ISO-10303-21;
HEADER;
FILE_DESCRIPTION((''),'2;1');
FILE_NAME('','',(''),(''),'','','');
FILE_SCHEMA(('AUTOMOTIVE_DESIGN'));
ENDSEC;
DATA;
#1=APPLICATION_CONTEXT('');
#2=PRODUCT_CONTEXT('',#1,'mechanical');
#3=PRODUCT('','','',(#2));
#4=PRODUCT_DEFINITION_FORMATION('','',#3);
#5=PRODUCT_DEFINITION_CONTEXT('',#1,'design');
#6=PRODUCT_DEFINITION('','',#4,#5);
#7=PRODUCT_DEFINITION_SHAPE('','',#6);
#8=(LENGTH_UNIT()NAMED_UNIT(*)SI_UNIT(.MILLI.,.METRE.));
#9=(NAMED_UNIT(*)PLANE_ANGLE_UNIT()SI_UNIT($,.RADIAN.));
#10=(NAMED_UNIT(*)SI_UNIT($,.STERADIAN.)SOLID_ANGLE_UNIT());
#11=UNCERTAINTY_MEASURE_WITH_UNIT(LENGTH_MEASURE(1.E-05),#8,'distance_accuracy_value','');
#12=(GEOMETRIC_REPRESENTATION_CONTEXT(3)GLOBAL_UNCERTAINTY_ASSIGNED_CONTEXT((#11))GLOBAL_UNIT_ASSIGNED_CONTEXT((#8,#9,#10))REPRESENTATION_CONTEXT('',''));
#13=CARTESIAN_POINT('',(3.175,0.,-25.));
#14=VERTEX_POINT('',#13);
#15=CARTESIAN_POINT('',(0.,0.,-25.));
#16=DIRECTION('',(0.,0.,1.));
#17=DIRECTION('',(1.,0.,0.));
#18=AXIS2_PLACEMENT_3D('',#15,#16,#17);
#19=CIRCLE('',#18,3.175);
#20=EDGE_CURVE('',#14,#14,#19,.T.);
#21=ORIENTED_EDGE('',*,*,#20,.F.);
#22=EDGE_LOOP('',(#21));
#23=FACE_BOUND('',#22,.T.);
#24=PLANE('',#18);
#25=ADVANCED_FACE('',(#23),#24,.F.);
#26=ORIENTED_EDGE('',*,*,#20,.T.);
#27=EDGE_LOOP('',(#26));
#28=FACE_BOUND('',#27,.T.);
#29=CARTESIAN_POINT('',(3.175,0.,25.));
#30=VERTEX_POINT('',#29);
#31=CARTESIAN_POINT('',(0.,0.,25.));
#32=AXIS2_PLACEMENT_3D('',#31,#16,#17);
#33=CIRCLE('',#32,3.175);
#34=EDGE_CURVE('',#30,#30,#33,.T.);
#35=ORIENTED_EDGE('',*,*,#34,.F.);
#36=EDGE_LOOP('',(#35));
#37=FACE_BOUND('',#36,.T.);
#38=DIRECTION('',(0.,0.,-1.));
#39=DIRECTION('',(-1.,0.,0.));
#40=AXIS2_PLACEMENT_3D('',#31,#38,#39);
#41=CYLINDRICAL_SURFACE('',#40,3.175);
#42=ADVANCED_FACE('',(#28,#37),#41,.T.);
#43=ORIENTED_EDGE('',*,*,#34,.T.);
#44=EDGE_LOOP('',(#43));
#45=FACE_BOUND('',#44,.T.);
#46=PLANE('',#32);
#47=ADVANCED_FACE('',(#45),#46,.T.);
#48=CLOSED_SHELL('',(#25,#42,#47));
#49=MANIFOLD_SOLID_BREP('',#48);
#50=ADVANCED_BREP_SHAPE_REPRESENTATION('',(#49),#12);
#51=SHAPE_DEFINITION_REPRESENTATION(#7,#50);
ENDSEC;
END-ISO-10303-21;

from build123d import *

# Parameters (mm, degrees)
CROQUIS1_R              = 3.175
SALIENTE_EXTRUIR1_DEPTH = 25


with BuildPart() as part:
    # Croquis1 → Saliente-Extruir1 (new, symmetric)
    with BuildSketch(Plane.XY):
        Circle(CROQUIS1_R)
    extrude(amount=SALIENTE_EXTRUIR1_DEPTH, both=True)


solid = part.part
